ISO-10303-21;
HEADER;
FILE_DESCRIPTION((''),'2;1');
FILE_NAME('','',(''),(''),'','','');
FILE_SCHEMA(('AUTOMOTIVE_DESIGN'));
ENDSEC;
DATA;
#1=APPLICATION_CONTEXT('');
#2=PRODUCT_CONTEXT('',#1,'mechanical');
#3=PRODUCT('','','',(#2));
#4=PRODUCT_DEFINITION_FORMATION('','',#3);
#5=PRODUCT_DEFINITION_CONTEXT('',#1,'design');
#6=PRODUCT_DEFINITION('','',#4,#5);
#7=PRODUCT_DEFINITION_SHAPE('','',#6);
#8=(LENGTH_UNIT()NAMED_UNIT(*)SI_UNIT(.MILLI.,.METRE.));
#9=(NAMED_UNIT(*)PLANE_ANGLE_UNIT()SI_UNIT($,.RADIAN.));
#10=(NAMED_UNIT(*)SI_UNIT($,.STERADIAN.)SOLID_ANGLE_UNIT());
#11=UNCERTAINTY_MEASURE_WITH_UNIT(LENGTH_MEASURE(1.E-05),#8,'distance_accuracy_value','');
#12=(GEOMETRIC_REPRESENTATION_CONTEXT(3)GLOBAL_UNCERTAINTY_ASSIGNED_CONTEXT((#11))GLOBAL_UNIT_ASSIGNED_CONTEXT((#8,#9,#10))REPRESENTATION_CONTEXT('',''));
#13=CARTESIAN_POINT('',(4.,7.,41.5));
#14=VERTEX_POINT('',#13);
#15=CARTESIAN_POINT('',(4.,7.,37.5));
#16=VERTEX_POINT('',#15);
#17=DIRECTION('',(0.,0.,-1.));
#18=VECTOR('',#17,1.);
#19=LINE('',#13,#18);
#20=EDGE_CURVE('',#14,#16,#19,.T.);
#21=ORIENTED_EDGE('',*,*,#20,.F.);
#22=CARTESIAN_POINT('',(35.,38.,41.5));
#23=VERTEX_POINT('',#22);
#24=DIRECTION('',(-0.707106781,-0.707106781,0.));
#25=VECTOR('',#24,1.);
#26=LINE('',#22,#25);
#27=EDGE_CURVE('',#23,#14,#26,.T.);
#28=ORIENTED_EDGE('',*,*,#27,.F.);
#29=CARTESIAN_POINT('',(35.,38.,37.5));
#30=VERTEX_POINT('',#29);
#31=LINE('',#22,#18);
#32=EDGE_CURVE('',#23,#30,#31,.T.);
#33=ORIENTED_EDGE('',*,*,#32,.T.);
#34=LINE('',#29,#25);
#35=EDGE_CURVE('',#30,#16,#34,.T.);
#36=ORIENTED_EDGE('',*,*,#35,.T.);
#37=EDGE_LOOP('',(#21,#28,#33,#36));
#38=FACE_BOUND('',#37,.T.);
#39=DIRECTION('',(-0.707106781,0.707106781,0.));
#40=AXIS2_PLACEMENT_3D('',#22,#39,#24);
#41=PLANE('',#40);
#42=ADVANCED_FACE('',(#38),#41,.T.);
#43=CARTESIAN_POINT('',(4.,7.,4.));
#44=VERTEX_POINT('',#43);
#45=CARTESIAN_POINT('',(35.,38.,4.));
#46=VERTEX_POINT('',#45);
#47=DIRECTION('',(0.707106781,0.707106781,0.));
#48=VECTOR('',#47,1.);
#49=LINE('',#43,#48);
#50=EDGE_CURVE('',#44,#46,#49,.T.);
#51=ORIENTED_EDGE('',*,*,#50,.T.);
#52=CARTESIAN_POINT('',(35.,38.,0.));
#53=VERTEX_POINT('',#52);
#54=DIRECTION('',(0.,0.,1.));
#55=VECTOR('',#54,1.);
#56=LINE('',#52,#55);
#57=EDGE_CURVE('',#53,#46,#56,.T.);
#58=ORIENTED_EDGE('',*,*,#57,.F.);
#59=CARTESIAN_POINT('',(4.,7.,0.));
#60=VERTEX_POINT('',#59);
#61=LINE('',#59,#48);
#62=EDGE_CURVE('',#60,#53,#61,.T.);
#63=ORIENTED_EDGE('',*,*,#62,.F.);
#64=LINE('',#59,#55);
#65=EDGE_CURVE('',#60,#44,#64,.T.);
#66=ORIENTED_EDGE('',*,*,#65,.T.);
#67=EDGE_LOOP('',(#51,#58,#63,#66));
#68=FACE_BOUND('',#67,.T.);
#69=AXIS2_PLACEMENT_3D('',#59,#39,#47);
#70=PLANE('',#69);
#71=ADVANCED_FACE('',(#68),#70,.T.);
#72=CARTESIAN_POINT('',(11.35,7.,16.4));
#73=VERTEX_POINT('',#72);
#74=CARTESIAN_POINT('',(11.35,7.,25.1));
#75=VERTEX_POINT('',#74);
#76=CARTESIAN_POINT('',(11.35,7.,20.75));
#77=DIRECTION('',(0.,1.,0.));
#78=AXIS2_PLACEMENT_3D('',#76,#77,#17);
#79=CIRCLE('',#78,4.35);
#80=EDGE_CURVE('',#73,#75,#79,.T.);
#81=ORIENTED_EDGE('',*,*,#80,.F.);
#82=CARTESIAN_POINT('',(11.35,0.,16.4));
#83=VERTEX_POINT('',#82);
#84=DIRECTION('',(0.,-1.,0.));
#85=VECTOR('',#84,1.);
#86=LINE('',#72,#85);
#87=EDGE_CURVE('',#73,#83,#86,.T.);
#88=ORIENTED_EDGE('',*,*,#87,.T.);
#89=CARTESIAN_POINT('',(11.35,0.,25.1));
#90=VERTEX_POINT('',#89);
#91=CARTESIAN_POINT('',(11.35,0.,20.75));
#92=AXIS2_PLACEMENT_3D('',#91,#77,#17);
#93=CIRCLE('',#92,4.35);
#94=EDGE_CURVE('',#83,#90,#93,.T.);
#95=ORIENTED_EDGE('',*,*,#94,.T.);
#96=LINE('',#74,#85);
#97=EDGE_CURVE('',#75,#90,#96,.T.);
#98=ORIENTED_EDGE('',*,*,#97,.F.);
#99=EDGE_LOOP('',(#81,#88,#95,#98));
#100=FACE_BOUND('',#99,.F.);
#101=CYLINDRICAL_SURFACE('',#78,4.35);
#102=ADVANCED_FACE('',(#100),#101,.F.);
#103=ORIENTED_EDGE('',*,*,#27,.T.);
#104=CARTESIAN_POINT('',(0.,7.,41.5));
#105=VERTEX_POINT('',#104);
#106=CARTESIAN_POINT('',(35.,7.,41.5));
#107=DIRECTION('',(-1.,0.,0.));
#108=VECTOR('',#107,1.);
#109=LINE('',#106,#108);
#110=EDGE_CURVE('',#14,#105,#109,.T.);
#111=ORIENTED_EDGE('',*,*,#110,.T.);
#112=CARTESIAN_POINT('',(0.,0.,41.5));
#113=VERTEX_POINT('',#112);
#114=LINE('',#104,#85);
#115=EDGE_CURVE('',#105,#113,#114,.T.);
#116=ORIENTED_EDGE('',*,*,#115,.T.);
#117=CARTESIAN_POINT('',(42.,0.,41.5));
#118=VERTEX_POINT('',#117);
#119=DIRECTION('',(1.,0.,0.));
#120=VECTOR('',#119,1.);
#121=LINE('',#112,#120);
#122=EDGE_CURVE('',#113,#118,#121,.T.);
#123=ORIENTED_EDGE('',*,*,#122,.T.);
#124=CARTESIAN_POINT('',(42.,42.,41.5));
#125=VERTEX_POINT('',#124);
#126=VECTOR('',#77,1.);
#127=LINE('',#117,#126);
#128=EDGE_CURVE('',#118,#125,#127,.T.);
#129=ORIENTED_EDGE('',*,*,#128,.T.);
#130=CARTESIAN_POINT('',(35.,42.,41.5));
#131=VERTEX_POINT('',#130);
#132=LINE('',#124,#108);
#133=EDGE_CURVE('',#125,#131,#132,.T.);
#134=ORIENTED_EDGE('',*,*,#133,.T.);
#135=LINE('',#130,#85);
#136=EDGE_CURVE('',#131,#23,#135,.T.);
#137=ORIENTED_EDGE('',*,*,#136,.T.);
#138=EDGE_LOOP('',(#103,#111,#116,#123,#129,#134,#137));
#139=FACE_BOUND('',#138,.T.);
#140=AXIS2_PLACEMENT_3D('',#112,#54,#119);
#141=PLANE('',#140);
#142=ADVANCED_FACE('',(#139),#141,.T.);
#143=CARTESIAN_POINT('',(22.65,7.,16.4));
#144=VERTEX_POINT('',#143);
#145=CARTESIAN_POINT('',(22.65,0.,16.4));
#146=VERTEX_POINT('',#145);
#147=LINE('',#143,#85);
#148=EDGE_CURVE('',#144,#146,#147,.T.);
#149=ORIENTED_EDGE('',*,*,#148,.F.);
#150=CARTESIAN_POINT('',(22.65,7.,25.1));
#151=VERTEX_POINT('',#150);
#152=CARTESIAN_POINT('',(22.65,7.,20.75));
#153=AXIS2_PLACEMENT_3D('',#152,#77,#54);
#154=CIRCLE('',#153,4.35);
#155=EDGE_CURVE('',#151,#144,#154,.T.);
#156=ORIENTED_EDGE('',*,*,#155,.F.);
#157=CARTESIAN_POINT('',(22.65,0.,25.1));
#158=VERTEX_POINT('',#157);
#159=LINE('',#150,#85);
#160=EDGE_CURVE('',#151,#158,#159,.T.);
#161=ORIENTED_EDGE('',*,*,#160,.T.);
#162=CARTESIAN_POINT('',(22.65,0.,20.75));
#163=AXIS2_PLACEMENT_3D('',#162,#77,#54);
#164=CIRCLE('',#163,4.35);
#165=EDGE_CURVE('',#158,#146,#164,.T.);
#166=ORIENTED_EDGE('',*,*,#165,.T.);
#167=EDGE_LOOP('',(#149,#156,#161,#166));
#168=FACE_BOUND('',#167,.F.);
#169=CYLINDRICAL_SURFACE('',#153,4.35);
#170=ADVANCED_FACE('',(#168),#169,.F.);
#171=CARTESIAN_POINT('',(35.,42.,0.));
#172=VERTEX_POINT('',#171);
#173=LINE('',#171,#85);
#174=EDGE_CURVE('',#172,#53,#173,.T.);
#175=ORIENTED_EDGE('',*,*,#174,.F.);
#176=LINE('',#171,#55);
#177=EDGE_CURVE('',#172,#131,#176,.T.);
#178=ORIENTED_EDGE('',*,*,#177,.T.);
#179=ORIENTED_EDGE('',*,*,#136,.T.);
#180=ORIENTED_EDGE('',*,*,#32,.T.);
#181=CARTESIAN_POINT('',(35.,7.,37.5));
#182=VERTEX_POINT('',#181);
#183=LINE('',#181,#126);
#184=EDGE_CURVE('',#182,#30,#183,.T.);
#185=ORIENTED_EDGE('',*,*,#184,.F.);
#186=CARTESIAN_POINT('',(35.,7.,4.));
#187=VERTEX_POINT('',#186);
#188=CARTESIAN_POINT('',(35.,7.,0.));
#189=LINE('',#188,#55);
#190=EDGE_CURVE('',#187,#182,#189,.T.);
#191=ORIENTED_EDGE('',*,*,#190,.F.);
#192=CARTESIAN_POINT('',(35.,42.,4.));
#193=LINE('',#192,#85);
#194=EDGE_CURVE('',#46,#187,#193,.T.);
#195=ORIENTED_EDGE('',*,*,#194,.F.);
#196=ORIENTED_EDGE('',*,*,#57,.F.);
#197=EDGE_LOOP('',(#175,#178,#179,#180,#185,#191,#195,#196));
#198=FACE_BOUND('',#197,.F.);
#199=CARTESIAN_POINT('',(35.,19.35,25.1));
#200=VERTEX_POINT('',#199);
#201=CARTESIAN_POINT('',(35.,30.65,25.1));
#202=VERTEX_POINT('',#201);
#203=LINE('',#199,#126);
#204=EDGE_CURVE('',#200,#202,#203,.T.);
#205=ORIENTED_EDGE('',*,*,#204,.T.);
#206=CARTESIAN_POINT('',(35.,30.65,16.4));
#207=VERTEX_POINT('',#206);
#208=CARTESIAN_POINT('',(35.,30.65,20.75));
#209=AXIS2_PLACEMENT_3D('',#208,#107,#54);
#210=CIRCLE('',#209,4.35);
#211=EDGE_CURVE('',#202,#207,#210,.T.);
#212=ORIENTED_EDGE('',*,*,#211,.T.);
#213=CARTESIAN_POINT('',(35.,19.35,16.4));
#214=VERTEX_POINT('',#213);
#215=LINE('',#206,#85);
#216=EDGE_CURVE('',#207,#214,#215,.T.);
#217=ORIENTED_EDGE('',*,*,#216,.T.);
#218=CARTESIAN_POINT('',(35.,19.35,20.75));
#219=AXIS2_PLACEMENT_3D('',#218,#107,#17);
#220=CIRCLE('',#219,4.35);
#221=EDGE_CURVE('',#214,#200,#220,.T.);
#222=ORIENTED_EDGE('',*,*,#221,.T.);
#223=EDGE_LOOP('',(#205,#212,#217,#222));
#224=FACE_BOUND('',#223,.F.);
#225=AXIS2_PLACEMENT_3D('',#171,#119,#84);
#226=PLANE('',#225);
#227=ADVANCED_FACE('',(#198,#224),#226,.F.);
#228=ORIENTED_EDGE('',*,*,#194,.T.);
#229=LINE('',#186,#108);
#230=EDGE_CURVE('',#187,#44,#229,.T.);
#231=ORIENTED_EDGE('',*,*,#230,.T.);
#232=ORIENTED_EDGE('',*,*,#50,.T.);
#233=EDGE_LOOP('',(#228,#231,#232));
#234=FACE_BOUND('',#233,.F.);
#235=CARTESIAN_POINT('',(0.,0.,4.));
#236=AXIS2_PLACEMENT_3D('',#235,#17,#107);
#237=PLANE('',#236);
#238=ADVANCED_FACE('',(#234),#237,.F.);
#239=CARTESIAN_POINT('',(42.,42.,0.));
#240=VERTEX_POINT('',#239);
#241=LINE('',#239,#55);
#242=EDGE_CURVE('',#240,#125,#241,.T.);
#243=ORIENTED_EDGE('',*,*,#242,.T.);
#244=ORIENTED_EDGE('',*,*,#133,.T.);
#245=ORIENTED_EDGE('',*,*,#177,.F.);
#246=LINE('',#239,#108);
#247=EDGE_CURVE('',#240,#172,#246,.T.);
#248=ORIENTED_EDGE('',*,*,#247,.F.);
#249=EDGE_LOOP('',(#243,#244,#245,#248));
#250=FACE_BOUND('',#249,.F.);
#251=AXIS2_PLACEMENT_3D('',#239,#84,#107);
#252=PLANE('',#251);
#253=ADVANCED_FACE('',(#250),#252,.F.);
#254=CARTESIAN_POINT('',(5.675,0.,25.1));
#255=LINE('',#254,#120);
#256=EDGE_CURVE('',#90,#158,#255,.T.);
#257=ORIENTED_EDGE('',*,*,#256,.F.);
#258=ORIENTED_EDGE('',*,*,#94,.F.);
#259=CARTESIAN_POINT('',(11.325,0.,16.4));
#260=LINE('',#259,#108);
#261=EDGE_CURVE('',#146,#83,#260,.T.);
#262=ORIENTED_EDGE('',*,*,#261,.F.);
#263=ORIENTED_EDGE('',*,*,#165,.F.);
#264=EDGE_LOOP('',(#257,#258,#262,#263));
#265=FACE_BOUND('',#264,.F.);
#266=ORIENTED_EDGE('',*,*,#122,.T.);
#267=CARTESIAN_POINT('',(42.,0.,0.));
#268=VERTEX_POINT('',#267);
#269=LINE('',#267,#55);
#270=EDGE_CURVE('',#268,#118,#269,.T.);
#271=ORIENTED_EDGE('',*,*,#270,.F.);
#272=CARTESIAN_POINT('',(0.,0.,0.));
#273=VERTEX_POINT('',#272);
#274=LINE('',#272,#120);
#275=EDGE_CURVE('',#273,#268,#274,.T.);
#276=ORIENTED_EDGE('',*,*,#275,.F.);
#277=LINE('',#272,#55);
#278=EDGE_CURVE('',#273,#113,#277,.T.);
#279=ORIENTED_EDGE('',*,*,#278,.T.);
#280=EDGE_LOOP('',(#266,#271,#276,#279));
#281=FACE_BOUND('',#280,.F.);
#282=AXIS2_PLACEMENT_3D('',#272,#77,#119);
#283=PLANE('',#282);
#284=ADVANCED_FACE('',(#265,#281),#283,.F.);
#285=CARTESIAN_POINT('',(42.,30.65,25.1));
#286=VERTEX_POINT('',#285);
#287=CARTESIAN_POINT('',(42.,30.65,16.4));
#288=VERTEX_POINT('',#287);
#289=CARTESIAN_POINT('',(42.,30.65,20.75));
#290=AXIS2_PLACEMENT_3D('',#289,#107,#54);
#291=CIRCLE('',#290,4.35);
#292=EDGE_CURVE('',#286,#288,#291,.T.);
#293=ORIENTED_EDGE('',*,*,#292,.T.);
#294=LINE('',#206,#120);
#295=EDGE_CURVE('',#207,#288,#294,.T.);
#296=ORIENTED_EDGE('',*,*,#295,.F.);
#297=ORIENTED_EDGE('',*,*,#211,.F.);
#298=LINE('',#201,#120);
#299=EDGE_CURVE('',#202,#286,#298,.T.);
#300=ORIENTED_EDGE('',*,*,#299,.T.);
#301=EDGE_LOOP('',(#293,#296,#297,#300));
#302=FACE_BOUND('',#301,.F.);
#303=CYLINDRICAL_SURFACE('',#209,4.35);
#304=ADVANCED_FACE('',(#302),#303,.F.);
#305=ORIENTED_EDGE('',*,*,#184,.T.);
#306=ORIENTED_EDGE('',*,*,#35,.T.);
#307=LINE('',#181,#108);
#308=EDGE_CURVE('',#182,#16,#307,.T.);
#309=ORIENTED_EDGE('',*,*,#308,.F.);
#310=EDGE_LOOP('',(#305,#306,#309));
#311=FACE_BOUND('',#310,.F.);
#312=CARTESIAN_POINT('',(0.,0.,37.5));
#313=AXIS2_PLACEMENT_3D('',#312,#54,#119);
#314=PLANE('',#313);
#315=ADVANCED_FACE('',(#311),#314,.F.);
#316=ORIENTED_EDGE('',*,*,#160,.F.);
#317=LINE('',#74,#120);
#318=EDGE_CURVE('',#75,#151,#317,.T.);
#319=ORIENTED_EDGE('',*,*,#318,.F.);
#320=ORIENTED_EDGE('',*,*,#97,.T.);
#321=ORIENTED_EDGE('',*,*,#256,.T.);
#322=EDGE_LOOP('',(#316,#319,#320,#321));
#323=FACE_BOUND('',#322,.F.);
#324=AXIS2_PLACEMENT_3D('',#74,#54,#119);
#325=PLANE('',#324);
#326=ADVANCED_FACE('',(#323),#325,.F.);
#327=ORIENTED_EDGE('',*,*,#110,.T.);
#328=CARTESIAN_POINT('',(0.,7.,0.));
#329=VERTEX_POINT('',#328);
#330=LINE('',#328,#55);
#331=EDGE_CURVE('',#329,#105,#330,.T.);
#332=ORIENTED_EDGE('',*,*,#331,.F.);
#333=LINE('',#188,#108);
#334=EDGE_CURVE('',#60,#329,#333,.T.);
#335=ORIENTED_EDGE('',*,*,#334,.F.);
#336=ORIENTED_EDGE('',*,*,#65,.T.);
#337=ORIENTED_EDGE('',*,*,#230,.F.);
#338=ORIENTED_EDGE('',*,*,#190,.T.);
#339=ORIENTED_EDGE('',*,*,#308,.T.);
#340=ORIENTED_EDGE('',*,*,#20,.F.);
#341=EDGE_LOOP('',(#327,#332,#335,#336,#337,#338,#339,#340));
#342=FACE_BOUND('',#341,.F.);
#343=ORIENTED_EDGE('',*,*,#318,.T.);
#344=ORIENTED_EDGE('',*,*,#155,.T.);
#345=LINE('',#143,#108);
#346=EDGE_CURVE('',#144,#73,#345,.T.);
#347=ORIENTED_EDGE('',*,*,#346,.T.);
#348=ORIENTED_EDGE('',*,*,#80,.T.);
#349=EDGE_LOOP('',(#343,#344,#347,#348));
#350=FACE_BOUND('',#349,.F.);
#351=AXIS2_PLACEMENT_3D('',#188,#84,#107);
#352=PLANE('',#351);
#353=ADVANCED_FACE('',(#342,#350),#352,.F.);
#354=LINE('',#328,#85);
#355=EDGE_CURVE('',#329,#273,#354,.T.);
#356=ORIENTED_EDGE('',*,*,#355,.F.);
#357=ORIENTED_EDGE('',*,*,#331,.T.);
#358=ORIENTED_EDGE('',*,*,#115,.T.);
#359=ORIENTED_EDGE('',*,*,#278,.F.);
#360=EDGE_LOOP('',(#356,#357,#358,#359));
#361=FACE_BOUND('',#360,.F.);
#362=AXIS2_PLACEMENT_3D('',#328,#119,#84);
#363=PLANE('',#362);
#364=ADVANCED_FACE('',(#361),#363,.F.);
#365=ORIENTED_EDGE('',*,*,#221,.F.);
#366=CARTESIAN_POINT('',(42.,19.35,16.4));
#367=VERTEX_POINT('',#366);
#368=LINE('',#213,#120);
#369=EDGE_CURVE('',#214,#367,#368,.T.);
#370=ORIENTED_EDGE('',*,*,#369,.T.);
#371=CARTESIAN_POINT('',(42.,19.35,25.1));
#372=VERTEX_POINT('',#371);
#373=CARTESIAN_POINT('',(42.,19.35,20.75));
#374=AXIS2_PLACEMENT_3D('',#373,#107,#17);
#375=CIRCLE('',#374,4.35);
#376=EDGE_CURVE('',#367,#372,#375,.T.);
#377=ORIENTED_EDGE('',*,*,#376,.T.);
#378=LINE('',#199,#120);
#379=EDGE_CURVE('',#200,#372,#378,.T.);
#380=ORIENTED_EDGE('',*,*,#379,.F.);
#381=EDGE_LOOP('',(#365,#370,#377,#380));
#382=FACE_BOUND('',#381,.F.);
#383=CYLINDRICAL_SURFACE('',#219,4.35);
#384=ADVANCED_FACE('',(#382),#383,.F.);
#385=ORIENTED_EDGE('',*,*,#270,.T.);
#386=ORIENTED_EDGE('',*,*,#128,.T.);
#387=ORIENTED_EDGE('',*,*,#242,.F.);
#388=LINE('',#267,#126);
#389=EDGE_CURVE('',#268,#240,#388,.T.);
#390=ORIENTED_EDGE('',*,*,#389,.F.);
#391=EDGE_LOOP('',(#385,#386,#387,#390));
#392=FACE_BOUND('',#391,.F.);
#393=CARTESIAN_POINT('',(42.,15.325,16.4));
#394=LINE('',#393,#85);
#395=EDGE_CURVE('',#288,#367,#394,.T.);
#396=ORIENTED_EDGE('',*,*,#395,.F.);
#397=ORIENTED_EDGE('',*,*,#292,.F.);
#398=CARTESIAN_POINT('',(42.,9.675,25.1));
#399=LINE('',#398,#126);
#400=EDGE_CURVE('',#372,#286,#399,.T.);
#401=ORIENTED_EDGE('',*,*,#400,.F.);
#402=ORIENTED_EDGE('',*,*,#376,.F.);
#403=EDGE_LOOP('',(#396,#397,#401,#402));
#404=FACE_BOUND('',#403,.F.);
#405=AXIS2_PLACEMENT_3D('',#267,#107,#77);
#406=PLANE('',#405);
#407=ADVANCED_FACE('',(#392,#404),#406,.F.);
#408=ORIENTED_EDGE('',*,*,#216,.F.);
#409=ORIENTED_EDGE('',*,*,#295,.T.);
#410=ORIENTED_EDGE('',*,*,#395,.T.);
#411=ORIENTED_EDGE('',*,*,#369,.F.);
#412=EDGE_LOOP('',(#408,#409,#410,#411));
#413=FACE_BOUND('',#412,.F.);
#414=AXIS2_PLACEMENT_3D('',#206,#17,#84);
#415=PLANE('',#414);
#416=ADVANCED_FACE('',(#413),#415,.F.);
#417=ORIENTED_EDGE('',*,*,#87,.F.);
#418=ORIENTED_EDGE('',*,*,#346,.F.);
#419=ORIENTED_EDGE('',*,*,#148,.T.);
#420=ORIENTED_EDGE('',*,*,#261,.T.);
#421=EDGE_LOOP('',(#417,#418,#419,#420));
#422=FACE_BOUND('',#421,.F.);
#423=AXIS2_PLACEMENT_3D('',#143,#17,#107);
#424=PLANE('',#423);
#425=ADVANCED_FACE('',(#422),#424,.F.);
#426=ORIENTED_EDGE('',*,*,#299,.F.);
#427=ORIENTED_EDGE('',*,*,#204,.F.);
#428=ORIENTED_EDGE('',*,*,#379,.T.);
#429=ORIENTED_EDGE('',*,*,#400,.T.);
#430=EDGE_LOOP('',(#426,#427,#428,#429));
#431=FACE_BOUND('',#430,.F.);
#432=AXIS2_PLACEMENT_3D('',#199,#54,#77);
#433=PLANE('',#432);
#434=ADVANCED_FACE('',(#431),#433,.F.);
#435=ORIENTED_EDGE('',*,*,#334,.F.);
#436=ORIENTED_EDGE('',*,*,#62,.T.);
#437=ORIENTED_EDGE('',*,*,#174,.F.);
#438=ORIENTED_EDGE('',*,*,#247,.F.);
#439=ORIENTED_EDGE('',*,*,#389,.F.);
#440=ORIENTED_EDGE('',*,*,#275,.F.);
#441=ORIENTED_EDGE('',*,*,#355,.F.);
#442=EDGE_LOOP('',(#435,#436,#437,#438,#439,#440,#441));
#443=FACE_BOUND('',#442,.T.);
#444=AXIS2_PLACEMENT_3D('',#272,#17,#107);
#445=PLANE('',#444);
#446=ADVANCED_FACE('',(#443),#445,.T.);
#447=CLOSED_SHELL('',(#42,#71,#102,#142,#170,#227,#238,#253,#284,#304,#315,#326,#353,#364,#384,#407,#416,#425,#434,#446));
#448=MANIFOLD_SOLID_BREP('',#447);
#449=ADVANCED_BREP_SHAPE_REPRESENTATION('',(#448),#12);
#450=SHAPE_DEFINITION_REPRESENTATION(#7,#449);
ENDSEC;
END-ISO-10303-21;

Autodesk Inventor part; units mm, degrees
ref_plane "YZ Plane" through (0, 0, 0) normal (1, 0, 0) x (0, 1, 0)
ref_plane "XZ Plane" through (0, 0, 0) normal (0, 1, 0) x (-1, 0, 0)
ref_plane "XY Plane" through (0, 0, 0) normal (0, 0, 1) x (1, 0, 0)
sketch "Boceto1" plane through (0, 0, 0) normal (0, 0, 1) x (1, 0, 0)
  line L0 (0, 0) -> (42, 0)
  line L1 (42, 0) -> (42, 42)
  line L2 (42, 42) -> (35, 42)
  line L3 (35, 42) -> (35, 7)
  line L4 (35, 7) -> (0, 7)
  line L5 (0, 7) -> (0, 0)
  dimension "d0" = 7
  dimension "d1" = 7
  dimension "d2" = 42
  dimension "d3" = 42
extrude "Extrusión1" add sketch "Boceto1" along normal blind 41.5
sketch "Boceto2" plane through (0, 0, 41.5) normal (0, 0, 1) x (1, 0, 0)
  line L0 (35, 7) -> (0, 7) projected
  line L1 (35, 7) -> (35, 38)
  line L2 (35, 42) -> (35, 7) projected
  line L3 (35, 38) -> (4, 7)
  line L4 (4, 7) -> (35, 7)
  line L5 (42, 42) -> (35, 42) projected
  point P0 (0, 0)
  point P1 (4, 7)
  dimension "d6" = 4
  dimension "d7" = 4
extrude "Extrusión2" add sketch "Boceto2" against normal blind 4
sketch "Boceto3" plane through (0, 0, 0) normal (0, 0, -1) x (-1, 0, 0)
  line L0 (-4, 7) -> (-35, 38) projected
  line L1 (-35, 42) -> (-35, 7) projected
  line L2 (-35, 7) -> (0, 7) projected
  point P0 (0, 0)
extrude "Extrusión3" add sketch "Boceto3" against normal blind 4
sketch "Boceto4" plane through (35, 42, 0) normal (-1, 0, 0) x (0, 0, 1)
  line L0 (20.75, -11.35) -> (20.75, -22.65) construction
  line L1 (16.4, -11.35) -> (16.4, -22.65)
  line L2 (25.1, -22.65) -> (25.1, -11.35)
  arc A0 (25.1, -11.35) -> (16.4, -11.35) centre (20.75, -11.35) ccw
  arc A1 (16.4, -22.65) -> (25.1, -22.65) centre (20.75, -22.65) ccw
  line L3 (0, 0) -> (41.5, 0) projected
  point P0 (0, -42)
  point P1 (20.75, -17)
  point P2 (20.75, 0)
  point P3 (20.75, -27)
  point P4 (20.75, -7)
  dimension "d12" = 8.7
  dimension "d13" = 20
  dimension "d14" = 7
extrude "Extrusión4" cut sketch "Boceto4" against normal through all
sketch "Boceto5" plane through (0, 7, 41.5) normal (0, 1, 0) x (1, 0, 0)
  line L0 (22.65, 20.75) -> (11.35, 20.75) construction
  line L1 (22.65, 25.1) -> (11.35, 25.1)
  line L2 (11.35, 16.4) -> (22.65, 16.4)
  arc A0 (22.65, 16.4) -> (22.65, 25.1) centre (22.65, 20.75) ccw
  arc A1 (11.35, 25.1) -> (11.35, 16.4) centre (11.35, 20.75) ccw
  line L3 (0, 41.5) -> (0, 0) projected
  point P0 (17, 20.75)
  point P1 (0, 20.75)
  point P2 (27, 20.75)
  point P3 (7, 20.75)
  dimension "d17" = 20
  dimension "d18" = 7
  dimension "d19" = 8.7
extrude "Extrusión5" cut sketch "Boceto5" against normal blind 10
properties part number "escuadra pequeña"
